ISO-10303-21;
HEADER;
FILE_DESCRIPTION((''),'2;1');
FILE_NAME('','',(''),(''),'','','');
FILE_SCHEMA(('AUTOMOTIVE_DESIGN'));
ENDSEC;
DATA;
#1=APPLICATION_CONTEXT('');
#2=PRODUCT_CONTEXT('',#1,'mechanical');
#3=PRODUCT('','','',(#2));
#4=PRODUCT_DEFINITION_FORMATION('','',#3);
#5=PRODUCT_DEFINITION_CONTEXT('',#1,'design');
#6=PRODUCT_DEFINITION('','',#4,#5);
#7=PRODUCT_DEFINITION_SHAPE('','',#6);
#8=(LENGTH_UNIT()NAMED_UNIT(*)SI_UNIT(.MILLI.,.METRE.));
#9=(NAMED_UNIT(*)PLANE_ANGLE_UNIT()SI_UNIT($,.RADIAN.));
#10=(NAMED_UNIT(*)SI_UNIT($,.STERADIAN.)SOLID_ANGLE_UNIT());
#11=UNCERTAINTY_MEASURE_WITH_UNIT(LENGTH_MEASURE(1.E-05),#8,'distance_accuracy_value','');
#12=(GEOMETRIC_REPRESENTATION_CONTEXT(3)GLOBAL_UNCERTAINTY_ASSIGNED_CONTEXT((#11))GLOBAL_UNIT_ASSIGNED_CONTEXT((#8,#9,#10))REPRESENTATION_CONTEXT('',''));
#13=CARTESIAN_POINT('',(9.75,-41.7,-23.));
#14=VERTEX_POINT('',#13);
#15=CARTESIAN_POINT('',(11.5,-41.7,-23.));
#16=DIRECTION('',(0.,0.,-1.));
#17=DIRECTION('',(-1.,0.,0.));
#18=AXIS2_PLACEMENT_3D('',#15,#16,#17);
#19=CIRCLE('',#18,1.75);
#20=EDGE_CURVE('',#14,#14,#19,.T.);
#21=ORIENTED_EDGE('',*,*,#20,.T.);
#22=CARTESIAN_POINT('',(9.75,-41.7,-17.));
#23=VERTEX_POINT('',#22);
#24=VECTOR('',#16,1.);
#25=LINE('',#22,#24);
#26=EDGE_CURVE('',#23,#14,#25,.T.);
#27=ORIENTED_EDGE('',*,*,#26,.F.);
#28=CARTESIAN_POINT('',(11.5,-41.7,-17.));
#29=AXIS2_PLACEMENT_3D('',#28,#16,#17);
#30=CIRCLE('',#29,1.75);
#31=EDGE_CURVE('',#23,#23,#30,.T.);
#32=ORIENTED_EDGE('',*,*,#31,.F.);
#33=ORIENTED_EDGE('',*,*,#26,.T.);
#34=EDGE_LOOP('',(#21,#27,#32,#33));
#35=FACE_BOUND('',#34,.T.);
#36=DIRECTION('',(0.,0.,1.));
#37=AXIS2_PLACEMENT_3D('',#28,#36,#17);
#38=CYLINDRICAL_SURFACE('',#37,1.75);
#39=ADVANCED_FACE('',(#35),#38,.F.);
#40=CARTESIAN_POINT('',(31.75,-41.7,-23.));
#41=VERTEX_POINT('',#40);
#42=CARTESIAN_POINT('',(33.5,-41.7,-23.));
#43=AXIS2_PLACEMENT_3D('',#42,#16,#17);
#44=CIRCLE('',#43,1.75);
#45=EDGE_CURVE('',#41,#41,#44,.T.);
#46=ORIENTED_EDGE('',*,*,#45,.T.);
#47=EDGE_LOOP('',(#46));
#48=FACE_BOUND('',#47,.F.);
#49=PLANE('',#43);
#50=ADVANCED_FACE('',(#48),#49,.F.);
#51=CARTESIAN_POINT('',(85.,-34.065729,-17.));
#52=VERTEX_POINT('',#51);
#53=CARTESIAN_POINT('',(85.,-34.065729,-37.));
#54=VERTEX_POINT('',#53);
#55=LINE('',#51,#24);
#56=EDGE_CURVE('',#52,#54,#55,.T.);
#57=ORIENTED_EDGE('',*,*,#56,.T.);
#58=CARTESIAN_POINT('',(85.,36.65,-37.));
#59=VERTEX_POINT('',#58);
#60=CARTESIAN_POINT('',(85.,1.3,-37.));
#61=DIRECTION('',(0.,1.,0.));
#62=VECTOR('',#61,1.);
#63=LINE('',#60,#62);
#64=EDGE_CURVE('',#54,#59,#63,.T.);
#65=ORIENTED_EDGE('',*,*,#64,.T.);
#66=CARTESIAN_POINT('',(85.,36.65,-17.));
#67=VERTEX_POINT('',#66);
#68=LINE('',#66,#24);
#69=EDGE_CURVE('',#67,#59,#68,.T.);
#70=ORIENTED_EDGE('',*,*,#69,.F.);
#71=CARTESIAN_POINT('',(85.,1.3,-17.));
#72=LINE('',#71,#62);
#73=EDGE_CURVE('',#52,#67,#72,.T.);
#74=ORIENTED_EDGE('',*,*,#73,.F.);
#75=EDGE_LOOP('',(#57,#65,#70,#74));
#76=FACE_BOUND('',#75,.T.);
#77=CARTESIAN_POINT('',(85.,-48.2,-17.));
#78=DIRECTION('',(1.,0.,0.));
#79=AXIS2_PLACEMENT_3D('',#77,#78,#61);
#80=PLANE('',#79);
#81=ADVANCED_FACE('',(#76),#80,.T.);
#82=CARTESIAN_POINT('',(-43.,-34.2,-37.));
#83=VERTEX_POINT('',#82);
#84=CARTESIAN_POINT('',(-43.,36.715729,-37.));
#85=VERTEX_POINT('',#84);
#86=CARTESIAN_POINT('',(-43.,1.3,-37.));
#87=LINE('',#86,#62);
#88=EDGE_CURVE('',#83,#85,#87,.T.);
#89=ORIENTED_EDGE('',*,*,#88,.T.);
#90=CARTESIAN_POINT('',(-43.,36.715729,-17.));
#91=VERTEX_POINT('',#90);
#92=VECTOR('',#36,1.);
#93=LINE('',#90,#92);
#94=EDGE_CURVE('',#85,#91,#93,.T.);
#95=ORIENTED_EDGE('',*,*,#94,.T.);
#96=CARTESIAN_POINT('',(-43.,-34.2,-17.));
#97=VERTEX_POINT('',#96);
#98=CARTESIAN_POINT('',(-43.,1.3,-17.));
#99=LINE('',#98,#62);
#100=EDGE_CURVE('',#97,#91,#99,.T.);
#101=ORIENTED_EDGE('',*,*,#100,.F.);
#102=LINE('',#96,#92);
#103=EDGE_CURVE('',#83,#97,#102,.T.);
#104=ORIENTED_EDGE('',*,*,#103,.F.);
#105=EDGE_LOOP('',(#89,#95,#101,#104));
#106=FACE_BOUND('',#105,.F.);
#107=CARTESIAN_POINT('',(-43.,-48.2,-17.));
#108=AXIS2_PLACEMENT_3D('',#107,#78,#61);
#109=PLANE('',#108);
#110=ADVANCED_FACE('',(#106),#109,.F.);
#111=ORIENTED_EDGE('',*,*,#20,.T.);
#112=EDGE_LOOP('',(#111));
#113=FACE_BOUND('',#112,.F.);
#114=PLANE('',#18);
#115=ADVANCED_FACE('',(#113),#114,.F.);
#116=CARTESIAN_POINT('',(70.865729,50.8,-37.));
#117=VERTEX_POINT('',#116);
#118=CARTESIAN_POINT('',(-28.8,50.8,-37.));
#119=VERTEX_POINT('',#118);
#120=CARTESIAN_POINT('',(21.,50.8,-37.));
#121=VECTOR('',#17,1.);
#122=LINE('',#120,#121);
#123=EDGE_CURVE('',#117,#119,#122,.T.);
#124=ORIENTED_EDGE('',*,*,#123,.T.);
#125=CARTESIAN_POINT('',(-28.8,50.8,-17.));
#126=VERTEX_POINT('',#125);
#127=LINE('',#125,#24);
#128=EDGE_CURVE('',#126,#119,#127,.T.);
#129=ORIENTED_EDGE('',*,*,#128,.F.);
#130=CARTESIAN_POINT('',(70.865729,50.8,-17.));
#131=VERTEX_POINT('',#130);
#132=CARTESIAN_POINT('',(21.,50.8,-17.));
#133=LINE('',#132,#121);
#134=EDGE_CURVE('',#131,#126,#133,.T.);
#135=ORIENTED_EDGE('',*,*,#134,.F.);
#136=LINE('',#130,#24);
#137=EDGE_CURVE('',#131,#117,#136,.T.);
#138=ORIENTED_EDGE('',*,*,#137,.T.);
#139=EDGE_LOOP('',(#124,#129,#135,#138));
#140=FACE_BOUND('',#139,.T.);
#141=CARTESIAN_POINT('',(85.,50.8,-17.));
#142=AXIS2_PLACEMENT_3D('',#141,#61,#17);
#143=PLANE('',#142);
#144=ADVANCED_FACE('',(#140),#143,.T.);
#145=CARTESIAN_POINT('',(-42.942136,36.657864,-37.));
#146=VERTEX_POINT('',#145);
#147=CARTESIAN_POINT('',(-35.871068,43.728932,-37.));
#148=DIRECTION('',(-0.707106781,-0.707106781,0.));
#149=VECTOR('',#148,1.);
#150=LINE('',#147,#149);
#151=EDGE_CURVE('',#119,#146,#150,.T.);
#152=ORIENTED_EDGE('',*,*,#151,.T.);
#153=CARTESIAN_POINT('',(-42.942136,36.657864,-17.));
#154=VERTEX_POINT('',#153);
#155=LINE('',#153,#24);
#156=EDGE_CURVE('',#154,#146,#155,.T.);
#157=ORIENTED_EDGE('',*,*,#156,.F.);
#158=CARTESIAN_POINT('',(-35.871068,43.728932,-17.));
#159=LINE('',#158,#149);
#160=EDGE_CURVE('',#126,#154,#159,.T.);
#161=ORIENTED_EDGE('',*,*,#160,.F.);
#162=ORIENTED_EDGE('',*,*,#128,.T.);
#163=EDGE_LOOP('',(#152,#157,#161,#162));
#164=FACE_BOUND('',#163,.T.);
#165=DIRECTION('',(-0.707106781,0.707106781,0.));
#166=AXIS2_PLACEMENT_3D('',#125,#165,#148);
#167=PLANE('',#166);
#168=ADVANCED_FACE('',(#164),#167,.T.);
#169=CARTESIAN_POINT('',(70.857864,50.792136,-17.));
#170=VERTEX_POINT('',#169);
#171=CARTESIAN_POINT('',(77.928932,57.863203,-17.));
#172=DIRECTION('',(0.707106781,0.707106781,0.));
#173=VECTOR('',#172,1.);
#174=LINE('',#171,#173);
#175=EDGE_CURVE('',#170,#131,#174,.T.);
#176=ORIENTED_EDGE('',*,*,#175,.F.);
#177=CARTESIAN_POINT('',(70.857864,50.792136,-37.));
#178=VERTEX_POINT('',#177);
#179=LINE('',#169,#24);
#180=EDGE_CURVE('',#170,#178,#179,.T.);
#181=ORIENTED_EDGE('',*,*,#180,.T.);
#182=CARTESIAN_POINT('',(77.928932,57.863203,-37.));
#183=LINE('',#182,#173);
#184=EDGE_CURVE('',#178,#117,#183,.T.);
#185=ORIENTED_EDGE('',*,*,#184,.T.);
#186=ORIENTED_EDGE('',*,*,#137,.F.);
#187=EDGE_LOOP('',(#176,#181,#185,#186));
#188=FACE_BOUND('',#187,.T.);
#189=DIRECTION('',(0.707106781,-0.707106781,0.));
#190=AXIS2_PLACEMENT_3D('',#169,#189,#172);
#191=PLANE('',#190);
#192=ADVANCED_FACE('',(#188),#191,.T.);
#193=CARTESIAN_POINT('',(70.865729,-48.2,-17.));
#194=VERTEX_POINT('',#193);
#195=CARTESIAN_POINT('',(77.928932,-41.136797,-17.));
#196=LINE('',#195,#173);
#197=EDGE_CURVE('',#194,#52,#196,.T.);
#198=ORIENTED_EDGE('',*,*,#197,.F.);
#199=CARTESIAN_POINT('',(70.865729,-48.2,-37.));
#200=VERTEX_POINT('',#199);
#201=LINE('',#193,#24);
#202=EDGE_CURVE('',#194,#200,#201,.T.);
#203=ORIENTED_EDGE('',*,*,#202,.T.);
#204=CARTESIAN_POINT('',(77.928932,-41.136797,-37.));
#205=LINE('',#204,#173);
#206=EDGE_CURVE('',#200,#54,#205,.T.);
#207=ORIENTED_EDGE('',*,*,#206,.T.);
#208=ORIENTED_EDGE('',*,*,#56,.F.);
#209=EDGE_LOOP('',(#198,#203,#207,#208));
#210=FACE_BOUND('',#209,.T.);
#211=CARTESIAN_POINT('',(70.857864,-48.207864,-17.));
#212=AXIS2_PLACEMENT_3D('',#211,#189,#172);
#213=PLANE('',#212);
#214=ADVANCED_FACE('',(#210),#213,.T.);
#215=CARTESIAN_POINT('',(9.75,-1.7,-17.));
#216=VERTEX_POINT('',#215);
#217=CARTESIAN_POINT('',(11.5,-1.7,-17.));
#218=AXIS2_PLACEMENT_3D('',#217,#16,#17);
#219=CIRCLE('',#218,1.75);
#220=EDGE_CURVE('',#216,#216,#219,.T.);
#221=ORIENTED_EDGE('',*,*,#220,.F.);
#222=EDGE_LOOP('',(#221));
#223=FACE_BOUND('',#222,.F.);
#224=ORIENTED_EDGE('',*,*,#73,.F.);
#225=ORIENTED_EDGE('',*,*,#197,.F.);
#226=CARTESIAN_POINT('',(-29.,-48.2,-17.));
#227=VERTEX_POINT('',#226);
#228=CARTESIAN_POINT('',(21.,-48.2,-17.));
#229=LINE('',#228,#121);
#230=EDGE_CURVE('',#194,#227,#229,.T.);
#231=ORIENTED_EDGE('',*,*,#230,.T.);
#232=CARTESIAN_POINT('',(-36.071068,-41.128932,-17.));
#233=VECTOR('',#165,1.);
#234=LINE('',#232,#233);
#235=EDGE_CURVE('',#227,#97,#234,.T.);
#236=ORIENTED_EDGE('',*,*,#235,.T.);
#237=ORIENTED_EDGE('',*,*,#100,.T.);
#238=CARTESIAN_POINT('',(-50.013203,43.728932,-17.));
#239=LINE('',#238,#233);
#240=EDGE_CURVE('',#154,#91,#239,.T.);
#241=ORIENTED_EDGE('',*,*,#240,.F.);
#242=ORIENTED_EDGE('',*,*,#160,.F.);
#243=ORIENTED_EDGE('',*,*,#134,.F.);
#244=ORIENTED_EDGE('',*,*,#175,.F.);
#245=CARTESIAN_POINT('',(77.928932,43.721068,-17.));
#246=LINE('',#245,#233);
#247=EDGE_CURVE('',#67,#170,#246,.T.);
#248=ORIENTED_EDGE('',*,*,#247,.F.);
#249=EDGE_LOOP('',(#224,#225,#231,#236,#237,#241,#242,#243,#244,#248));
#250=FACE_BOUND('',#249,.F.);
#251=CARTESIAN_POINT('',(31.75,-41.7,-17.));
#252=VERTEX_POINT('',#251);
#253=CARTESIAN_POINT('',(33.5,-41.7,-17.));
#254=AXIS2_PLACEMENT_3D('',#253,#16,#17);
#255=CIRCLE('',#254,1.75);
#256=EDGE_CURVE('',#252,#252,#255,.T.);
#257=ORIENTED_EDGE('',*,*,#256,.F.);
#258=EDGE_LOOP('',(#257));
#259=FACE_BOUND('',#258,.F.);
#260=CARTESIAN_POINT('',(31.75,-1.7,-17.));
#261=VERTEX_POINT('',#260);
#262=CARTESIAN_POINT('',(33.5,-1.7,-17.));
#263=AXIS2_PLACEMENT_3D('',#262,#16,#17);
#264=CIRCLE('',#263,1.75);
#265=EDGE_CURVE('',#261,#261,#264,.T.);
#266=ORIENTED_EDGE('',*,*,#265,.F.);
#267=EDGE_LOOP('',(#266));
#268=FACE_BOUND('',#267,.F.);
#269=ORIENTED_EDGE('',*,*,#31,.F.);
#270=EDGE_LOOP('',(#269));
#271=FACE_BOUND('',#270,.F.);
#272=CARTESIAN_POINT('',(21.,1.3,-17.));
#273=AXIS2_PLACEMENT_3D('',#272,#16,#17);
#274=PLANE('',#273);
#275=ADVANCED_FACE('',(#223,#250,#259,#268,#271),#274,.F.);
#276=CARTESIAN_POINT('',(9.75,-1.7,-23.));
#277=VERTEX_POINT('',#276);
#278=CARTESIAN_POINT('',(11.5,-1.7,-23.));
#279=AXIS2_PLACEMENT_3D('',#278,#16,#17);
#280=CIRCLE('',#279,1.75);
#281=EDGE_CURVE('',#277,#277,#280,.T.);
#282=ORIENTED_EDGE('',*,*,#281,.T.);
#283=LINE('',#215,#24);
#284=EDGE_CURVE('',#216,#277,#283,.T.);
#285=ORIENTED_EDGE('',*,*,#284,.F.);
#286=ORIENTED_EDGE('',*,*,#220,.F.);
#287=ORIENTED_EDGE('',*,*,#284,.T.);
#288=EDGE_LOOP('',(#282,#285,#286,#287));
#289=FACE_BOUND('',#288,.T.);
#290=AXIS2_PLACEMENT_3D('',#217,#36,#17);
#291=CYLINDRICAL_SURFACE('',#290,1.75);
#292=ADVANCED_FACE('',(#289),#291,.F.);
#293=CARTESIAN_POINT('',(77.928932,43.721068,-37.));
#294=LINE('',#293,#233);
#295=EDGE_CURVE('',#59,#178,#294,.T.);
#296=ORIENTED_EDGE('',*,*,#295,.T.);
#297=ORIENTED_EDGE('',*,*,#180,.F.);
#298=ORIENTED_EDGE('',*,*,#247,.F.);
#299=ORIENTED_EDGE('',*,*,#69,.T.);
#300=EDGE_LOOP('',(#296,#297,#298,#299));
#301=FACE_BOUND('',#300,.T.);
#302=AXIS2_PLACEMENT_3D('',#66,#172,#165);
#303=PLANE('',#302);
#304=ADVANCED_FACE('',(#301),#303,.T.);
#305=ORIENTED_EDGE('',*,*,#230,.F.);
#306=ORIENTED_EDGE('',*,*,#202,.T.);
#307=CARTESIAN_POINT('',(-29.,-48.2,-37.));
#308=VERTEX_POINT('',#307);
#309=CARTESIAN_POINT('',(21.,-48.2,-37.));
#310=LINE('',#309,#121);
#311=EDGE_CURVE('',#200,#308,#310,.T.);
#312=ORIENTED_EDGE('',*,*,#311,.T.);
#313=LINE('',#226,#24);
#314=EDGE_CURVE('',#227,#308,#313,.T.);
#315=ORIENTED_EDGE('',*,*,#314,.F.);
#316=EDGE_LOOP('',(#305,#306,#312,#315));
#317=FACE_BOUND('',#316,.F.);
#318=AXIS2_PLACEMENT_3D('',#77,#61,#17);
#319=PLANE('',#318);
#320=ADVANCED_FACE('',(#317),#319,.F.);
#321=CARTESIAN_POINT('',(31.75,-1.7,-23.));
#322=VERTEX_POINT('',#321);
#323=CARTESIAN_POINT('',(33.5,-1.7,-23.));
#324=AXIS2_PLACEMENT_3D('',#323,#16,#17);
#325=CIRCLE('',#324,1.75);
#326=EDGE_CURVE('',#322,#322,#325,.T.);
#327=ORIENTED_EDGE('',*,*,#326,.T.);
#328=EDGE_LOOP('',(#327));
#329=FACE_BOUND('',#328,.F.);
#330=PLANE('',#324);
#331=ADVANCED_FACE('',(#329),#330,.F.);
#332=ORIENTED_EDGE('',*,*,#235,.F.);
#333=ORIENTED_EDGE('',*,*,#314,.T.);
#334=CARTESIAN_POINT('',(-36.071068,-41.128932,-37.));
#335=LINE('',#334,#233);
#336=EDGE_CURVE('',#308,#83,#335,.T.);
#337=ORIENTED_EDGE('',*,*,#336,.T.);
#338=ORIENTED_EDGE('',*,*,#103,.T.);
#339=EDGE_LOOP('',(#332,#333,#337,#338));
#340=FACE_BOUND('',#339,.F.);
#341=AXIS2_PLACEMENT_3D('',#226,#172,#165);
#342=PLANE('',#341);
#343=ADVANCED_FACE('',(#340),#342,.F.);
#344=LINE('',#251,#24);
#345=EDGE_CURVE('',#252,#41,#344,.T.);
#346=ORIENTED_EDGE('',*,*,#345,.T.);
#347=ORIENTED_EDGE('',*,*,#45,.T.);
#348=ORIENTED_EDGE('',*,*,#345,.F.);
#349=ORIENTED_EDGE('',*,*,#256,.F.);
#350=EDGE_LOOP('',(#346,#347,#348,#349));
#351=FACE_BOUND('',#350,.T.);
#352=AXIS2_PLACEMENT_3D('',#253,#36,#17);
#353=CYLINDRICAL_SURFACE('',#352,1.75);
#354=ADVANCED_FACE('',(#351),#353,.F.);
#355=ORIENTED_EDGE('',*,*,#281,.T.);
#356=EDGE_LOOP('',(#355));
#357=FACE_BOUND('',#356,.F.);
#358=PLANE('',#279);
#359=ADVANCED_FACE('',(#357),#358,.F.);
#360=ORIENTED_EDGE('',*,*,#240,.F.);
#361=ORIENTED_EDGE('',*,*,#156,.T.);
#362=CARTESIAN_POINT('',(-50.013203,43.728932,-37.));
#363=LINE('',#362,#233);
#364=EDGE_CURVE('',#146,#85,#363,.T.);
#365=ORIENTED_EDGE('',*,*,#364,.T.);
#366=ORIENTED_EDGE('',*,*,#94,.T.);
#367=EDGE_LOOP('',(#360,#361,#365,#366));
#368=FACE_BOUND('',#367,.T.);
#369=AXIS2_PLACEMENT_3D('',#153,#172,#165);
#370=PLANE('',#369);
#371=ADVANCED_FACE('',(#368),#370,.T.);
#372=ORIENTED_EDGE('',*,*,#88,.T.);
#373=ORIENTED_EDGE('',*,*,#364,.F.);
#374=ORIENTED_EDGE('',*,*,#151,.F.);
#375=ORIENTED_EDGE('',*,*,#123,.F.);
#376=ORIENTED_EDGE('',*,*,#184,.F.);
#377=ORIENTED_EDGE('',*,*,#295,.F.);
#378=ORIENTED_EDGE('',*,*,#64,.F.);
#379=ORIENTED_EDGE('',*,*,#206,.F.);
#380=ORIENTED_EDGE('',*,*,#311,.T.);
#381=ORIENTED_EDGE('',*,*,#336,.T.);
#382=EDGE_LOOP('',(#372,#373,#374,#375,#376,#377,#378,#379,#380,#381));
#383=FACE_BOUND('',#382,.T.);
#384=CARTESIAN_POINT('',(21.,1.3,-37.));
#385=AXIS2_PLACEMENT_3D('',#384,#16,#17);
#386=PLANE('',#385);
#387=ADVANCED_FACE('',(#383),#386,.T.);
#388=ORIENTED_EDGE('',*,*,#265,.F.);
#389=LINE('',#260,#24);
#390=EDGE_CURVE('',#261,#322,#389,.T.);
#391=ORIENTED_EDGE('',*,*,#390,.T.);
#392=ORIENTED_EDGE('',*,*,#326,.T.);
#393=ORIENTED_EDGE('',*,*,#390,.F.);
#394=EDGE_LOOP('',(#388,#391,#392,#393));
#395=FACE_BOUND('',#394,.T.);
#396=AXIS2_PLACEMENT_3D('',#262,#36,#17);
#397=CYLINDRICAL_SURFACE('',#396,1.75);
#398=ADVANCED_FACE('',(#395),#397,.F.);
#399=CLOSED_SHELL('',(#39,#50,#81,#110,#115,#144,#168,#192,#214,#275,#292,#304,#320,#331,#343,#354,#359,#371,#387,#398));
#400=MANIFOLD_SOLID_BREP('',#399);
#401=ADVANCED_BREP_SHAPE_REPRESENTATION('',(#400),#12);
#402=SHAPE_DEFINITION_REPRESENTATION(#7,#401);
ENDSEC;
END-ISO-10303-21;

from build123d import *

# Parameters (mm, degrees)
CYLINDER004_R          = 1.75
CYLINDER004_DEPTH      = 6
ARRAY004_X_COUNT       = 2
ARRAY004_X_PITCH       = 22
ARRAY004_Y_COUNT       = 2
ARRAY004_Y_PITCH       = 40
BOX011_W               = 20
BOX011_H               = 20
BOX011_DEPTH           = 20
BOX011_PLACEMENT_ANGLE = 45
BOX012_W               = 20
BOX012_H               = 20
BOX012_DEPTH           = 20
BOX012_PLACEMENT_ANGLE = 45
BOX009_W               = 20
BOX009_H               = 20
BOX009_DEPTH           = 20
BOX009_PLACEMENT_ANGLE = -45
BOX010_W               = 20
BOX010_H               = 20
BOX010_DEPTH           = 20
BOX010_PLACEMENT_ANGLE = -45
BOX008_W               = 128
BOX008_H               = 99
BOX008_DEPTH           = 20
CUT005_PLACEMENT_ANGLE = 180


with BuildPart() as array004:
    # Cylinder004 → Cylinder004 (new body)
    with BuildSketch(Plane.XY):
        Circle(CYLINDER004_R)
    extrude(amount=CYLINDER004_DEPTH)

    # Array004 X: Array004 ×2


with BuildPart() as array004_1:
    add(array004.part)
    with Locations(*[(i * ARRAY004_X_PITCH, 0, 0) for i in range(1, ARRAY004_X_COUNT)]):
        add(array004.part)

    # Array004 Y: Array004 ×2


with BuildPart() as array004_2:
    add(array004_1.part)
    with Locations(*[(0, i * ARRAY004_Y_PITCH, 0) for i in range(1, ARRAY004_Y_COUNT)]):
        add(array004_1.part)


with BuildPart() as array004_3:
    # Array004 placement: moved
    add(array004_2.part.moved(Location((37.5, -8, 0))))


with BuildPart() as cubo007:
    # Box011 → Box011 (new body)
    with BuildSketch(Plane.XY):
        with Locations((10, 10)):
            Rectangle(BOX011_W, BOX011_H)
    extrude(amount=BOX011_DEPTH)


with BuildPart() as cubo007_1:
    # Box011 placement: moved
    add(cubo007.part.moved(Location((-14, -28.65, 0))).rotate(Axis((-14, -28.65, 0), (0, 0, 1)), BOX011_PLACEMENT_ANGLE))


with BuildPart() as cubo008:
    # Box012 → Box012 (new body)
    with BuildSketch(Plane.XY):
        with Locations((10, 10)):
            Rectangle(BOX012_W, BOX012_H)
    extrude(amount=BOX012_DEPTH)


with BuildPart() as cubo008_1:
    # Box012 placement: moved
    add(cubo008.part.moved(Location((-14, 70.35, 0))).rotate(Axis((-14, 70.35, 0), (0, 0, 1)), BOX012_PLACEMENT_ANGLE))


with BuildPart() as cubo005:
    # Box009 → Box009 (new body)
    with BuildSketch(Plane.XY):
        with Locations((10, 10)):
            Rectangle(BOX009_W, BOX009_H)
    extrude(amount=BOX009_DEPTH)


with BuildPart() as cubo005_1:
    # Box009 placement: moved
    add(cubo005.part.moved(Location((100, -14.5, 0))).rotate(Axis((100, -14.5, 0), (0, 0, 1)), BOX009_PLACEMENT_ANGLE))


with BuildPart() as fusion005:
    # Box010 → Box010 (new body)
    with BuildSketch(Plane.XY):
        with Locations((10, 10)):
            Rectangle(BOX010_W, BOX010_H)
    extrude(amount=BOX010_DEPTH)


with BuildPart() as fusion005_1:
    # Box010 placement: moved
    add(fusion005.part.moved(Location((99.8, 84.5, 0))).rotate(Axis((99.8, 84.5, 0), (0, 0, 1)), BOX010_PLACEMENT_ANGLE))

    # Fusion005: union Cubo007, Cubo008, Cubo005
    add(cubo007_1.part)
    add(cubo008_1.part)
    add(cubo005_1.part)


with BuildPart() as bloque_metacrilato:
    # Box008 → Box008 (new body)
    with BuildSketch(Plane(origin=(-14, -14.5, 0), x_dir=(1, 0, 0), z_dir=(0, 0, 1))):
        with Locations((64, 49.5)):
            Rectangle(BOX008_W, BOX008_H)
    extrude(amount=BOX008_DEPTH)

    # Cut004: cut Fusion005
    add(fusion005_1.part, mode=Mode.SUBTRACT)

    # Cut005: cut Array004
    add(array004_3.part, mode=Mode.SUBTRACT)


with BuildPart() as bloque_metacrilato_1:
    # Cut005 placement: moved
    add(bloque_metacrilato.part.moved(Location((71, -33.7, -17))).rotate(Axis((71, -33.7, -17), (0, 1, 0)), CUT005_PLACEMENT_ANGLE))


solid = bloque_metacrilato_1.part
